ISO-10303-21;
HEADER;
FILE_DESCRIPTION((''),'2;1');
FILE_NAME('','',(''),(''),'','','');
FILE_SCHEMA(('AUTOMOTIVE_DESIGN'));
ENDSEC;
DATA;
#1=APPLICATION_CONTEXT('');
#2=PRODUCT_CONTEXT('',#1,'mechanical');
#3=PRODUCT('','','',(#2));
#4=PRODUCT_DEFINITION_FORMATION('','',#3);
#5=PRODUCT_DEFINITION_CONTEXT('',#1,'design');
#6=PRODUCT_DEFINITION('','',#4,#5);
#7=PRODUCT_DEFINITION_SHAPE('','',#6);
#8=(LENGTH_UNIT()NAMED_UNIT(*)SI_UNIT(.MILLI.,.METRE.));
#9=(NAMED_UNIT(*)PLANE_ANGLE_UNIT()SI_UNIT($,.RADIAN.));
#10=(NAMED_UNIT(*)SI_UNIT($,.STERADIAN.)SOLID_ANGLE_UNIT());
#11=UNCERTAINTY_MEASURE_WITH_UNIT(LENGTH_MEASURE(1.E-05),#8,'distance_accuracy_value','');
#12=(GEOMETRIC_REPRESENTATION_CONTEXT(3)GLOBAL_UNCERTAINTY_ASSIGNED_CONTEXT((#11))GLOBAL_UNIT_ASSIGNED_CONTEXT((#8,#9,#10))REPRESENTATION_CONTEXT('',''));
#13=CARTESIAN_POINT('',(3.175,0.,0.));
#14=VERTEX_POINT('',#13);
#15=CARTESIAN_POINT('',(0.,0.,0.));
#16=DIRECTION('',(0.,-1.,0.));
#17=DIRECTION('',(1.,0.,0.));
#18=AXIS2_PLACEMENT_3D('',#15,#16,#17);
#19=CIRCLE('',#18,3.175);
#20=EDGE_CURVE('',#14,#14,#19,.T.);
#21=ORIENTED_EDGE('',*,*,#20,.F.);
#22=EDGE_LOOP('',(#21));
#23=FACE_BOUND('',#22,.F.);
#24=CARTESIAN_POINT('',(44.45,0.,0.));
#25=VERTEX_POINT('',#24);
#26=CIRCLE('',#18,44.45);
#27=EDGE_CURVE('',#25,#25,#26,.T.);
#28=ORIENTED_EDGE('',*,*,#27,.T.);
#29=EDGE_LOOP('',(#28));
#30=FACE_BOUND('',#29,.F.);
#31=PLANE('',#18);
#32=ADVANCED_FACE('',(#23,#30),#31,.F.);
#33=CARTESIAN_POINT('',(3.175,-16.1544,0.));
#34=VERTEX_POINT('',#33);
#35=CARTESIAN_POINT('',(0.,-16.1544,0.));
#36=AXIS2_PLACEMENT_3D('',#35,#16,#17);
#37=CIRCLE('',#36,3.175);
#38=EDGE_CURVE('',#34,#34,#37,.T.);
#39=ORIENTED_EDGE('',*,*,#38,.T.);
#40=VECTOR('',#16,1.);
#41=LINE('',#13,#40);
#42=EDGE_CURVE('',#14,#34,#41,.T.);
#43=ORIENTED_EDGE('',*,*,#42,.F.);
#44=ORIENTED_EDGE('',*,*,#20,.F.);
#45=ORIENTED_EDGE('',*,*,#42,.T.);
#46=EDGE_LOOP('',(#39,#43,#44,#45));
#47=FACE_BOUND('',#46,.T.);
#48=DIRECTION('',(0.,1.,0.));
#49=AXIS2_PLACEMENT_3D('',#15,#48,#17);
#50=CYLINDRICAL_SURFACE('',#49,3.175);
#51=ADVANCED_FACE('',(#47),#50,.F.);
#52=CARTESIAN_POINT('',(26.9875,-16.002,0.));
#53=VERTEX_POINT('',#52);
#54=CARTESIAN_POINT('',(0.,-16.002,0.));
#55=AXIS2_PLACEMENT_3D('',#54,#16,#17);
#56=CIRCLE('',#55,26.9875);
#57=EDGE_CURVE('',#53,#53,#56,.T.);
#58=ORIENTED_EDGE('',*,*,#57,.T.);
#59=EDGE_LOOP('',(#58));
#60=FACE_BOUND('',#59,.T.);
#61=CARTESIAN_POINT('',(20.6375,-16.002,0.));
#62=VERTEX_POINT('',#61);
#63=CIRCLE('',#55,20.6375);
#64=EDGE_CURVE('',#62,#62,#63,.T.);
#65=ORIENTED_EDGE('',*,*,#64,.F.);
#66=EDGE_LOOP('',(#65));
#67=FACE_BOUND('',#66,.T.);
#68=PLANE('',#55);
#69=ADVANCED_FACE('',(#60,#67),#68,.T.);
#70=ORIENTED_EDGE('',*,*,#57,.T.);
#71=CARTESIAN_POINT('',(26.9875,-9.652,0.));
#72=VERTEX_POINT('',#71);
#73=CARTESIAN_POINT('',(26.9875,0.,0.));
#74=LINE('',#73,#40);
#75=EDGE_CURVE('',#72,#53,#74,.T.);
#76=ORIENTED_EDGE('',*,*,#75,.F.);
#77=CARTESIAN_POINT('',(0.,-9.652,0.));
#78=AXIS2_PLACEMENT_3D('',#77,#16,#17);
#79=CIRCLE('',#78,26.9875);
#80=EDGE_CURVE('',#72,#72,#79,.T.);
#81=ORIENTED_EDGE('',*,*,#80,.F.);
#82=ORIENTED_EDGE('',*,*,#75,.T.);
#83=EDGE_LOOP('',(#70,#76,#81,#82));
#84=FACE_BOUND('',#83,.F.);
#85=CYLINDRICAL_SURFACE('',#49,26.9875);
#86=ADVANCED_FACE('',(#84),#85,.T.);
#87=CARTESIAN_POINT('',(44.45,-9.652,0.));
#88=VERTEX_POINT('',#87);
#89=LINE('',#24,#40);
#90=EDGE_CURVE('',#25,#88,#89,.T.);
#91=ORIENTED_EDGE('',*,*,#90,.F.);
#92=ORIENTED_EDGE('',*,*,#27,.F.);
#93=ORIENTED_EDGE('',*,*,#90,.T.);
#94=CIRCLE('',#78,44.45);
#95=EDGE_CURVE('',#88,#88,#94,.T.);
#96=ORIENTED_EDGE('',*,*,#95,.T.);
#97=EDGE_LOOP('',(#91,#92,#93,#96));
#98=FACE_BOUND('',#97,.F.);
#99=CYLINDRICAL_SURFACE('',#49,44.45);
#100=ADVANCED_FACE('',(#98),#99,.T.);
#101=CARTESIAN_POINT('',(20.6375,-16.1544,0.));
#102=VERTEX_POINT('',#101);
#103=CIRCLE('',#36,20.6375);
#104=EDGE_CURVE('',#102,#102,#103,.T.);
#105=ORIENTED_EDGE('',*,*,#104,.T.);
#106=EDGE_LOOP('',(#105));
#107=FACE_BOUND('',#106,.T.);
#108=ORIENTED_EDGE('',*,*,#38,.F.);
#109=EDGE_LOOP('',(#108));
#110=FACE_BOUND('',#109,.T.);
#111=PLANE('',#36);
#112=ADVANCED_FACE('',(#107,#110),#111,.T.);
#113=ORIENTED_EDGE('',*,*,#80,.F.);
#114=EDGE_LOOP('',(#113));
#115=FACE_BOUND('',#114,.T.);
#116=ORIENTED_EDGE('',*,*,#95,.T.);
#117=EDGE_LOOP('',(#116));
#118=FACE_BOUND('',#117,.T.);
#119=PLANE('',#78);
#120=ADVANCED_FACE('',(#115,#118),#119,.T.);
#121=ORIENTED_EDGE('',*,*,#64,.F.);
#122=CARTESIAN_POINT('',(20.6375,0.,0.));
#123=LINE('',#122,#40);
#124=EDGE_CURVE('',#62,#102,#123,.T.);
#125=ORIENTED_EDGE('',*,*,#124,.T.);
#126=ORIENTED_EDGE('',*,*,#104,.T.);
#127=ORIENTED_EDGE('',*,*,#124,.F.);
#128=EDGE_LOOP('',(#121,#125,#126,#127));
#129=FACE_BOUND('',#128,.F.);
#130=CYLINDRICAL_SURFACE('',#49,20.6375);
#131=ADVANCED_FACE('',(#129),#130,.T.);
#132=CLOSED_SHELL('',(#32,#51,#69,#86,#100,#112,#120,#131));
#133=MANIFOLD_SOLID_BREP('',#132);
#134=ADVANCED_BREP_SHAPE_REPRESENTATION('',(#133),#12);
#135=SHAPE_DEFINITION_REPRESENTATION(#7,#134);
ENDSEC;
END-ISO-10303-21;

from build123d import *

# Parameters (mm, degrees)
F0_R     = 20.6375
F0_R_2   = 3.175
F1_DEPTH = 16.1544
F0_R_3   = 26.9875
F2_DEPTH = 16.002
F0_R_4   = 44.45
F3_DEPTH = 9.652


with BuildPart() as f1:
    # F0 (on Front) → F1 (new body)
    with BuildSketch(Plane.XZ):
        Circle(F0_R)
        Circle(F0_R_2, mode=Mode.SUBTRACT)
    extrude(amount=F1_DEPTH)

    # F0 (on Front) → F2 (join)
    with BuildSketch(Plane.XZ):
        Circle(F0_R_3)
        Circle(F0_R, mode=Mode.SUBTRACT)
    extrude(amount=F2_DEPTH)

    # F0 (on Front) → F3 (join)
    with BuildSketch(Plane.XZ):
        Circle(F0_R_4)
        Circle(F0_R_3, mode=Mode.SUBTRACT)
    extrude(amount=F3_DEPTH)


solid = f1.part
